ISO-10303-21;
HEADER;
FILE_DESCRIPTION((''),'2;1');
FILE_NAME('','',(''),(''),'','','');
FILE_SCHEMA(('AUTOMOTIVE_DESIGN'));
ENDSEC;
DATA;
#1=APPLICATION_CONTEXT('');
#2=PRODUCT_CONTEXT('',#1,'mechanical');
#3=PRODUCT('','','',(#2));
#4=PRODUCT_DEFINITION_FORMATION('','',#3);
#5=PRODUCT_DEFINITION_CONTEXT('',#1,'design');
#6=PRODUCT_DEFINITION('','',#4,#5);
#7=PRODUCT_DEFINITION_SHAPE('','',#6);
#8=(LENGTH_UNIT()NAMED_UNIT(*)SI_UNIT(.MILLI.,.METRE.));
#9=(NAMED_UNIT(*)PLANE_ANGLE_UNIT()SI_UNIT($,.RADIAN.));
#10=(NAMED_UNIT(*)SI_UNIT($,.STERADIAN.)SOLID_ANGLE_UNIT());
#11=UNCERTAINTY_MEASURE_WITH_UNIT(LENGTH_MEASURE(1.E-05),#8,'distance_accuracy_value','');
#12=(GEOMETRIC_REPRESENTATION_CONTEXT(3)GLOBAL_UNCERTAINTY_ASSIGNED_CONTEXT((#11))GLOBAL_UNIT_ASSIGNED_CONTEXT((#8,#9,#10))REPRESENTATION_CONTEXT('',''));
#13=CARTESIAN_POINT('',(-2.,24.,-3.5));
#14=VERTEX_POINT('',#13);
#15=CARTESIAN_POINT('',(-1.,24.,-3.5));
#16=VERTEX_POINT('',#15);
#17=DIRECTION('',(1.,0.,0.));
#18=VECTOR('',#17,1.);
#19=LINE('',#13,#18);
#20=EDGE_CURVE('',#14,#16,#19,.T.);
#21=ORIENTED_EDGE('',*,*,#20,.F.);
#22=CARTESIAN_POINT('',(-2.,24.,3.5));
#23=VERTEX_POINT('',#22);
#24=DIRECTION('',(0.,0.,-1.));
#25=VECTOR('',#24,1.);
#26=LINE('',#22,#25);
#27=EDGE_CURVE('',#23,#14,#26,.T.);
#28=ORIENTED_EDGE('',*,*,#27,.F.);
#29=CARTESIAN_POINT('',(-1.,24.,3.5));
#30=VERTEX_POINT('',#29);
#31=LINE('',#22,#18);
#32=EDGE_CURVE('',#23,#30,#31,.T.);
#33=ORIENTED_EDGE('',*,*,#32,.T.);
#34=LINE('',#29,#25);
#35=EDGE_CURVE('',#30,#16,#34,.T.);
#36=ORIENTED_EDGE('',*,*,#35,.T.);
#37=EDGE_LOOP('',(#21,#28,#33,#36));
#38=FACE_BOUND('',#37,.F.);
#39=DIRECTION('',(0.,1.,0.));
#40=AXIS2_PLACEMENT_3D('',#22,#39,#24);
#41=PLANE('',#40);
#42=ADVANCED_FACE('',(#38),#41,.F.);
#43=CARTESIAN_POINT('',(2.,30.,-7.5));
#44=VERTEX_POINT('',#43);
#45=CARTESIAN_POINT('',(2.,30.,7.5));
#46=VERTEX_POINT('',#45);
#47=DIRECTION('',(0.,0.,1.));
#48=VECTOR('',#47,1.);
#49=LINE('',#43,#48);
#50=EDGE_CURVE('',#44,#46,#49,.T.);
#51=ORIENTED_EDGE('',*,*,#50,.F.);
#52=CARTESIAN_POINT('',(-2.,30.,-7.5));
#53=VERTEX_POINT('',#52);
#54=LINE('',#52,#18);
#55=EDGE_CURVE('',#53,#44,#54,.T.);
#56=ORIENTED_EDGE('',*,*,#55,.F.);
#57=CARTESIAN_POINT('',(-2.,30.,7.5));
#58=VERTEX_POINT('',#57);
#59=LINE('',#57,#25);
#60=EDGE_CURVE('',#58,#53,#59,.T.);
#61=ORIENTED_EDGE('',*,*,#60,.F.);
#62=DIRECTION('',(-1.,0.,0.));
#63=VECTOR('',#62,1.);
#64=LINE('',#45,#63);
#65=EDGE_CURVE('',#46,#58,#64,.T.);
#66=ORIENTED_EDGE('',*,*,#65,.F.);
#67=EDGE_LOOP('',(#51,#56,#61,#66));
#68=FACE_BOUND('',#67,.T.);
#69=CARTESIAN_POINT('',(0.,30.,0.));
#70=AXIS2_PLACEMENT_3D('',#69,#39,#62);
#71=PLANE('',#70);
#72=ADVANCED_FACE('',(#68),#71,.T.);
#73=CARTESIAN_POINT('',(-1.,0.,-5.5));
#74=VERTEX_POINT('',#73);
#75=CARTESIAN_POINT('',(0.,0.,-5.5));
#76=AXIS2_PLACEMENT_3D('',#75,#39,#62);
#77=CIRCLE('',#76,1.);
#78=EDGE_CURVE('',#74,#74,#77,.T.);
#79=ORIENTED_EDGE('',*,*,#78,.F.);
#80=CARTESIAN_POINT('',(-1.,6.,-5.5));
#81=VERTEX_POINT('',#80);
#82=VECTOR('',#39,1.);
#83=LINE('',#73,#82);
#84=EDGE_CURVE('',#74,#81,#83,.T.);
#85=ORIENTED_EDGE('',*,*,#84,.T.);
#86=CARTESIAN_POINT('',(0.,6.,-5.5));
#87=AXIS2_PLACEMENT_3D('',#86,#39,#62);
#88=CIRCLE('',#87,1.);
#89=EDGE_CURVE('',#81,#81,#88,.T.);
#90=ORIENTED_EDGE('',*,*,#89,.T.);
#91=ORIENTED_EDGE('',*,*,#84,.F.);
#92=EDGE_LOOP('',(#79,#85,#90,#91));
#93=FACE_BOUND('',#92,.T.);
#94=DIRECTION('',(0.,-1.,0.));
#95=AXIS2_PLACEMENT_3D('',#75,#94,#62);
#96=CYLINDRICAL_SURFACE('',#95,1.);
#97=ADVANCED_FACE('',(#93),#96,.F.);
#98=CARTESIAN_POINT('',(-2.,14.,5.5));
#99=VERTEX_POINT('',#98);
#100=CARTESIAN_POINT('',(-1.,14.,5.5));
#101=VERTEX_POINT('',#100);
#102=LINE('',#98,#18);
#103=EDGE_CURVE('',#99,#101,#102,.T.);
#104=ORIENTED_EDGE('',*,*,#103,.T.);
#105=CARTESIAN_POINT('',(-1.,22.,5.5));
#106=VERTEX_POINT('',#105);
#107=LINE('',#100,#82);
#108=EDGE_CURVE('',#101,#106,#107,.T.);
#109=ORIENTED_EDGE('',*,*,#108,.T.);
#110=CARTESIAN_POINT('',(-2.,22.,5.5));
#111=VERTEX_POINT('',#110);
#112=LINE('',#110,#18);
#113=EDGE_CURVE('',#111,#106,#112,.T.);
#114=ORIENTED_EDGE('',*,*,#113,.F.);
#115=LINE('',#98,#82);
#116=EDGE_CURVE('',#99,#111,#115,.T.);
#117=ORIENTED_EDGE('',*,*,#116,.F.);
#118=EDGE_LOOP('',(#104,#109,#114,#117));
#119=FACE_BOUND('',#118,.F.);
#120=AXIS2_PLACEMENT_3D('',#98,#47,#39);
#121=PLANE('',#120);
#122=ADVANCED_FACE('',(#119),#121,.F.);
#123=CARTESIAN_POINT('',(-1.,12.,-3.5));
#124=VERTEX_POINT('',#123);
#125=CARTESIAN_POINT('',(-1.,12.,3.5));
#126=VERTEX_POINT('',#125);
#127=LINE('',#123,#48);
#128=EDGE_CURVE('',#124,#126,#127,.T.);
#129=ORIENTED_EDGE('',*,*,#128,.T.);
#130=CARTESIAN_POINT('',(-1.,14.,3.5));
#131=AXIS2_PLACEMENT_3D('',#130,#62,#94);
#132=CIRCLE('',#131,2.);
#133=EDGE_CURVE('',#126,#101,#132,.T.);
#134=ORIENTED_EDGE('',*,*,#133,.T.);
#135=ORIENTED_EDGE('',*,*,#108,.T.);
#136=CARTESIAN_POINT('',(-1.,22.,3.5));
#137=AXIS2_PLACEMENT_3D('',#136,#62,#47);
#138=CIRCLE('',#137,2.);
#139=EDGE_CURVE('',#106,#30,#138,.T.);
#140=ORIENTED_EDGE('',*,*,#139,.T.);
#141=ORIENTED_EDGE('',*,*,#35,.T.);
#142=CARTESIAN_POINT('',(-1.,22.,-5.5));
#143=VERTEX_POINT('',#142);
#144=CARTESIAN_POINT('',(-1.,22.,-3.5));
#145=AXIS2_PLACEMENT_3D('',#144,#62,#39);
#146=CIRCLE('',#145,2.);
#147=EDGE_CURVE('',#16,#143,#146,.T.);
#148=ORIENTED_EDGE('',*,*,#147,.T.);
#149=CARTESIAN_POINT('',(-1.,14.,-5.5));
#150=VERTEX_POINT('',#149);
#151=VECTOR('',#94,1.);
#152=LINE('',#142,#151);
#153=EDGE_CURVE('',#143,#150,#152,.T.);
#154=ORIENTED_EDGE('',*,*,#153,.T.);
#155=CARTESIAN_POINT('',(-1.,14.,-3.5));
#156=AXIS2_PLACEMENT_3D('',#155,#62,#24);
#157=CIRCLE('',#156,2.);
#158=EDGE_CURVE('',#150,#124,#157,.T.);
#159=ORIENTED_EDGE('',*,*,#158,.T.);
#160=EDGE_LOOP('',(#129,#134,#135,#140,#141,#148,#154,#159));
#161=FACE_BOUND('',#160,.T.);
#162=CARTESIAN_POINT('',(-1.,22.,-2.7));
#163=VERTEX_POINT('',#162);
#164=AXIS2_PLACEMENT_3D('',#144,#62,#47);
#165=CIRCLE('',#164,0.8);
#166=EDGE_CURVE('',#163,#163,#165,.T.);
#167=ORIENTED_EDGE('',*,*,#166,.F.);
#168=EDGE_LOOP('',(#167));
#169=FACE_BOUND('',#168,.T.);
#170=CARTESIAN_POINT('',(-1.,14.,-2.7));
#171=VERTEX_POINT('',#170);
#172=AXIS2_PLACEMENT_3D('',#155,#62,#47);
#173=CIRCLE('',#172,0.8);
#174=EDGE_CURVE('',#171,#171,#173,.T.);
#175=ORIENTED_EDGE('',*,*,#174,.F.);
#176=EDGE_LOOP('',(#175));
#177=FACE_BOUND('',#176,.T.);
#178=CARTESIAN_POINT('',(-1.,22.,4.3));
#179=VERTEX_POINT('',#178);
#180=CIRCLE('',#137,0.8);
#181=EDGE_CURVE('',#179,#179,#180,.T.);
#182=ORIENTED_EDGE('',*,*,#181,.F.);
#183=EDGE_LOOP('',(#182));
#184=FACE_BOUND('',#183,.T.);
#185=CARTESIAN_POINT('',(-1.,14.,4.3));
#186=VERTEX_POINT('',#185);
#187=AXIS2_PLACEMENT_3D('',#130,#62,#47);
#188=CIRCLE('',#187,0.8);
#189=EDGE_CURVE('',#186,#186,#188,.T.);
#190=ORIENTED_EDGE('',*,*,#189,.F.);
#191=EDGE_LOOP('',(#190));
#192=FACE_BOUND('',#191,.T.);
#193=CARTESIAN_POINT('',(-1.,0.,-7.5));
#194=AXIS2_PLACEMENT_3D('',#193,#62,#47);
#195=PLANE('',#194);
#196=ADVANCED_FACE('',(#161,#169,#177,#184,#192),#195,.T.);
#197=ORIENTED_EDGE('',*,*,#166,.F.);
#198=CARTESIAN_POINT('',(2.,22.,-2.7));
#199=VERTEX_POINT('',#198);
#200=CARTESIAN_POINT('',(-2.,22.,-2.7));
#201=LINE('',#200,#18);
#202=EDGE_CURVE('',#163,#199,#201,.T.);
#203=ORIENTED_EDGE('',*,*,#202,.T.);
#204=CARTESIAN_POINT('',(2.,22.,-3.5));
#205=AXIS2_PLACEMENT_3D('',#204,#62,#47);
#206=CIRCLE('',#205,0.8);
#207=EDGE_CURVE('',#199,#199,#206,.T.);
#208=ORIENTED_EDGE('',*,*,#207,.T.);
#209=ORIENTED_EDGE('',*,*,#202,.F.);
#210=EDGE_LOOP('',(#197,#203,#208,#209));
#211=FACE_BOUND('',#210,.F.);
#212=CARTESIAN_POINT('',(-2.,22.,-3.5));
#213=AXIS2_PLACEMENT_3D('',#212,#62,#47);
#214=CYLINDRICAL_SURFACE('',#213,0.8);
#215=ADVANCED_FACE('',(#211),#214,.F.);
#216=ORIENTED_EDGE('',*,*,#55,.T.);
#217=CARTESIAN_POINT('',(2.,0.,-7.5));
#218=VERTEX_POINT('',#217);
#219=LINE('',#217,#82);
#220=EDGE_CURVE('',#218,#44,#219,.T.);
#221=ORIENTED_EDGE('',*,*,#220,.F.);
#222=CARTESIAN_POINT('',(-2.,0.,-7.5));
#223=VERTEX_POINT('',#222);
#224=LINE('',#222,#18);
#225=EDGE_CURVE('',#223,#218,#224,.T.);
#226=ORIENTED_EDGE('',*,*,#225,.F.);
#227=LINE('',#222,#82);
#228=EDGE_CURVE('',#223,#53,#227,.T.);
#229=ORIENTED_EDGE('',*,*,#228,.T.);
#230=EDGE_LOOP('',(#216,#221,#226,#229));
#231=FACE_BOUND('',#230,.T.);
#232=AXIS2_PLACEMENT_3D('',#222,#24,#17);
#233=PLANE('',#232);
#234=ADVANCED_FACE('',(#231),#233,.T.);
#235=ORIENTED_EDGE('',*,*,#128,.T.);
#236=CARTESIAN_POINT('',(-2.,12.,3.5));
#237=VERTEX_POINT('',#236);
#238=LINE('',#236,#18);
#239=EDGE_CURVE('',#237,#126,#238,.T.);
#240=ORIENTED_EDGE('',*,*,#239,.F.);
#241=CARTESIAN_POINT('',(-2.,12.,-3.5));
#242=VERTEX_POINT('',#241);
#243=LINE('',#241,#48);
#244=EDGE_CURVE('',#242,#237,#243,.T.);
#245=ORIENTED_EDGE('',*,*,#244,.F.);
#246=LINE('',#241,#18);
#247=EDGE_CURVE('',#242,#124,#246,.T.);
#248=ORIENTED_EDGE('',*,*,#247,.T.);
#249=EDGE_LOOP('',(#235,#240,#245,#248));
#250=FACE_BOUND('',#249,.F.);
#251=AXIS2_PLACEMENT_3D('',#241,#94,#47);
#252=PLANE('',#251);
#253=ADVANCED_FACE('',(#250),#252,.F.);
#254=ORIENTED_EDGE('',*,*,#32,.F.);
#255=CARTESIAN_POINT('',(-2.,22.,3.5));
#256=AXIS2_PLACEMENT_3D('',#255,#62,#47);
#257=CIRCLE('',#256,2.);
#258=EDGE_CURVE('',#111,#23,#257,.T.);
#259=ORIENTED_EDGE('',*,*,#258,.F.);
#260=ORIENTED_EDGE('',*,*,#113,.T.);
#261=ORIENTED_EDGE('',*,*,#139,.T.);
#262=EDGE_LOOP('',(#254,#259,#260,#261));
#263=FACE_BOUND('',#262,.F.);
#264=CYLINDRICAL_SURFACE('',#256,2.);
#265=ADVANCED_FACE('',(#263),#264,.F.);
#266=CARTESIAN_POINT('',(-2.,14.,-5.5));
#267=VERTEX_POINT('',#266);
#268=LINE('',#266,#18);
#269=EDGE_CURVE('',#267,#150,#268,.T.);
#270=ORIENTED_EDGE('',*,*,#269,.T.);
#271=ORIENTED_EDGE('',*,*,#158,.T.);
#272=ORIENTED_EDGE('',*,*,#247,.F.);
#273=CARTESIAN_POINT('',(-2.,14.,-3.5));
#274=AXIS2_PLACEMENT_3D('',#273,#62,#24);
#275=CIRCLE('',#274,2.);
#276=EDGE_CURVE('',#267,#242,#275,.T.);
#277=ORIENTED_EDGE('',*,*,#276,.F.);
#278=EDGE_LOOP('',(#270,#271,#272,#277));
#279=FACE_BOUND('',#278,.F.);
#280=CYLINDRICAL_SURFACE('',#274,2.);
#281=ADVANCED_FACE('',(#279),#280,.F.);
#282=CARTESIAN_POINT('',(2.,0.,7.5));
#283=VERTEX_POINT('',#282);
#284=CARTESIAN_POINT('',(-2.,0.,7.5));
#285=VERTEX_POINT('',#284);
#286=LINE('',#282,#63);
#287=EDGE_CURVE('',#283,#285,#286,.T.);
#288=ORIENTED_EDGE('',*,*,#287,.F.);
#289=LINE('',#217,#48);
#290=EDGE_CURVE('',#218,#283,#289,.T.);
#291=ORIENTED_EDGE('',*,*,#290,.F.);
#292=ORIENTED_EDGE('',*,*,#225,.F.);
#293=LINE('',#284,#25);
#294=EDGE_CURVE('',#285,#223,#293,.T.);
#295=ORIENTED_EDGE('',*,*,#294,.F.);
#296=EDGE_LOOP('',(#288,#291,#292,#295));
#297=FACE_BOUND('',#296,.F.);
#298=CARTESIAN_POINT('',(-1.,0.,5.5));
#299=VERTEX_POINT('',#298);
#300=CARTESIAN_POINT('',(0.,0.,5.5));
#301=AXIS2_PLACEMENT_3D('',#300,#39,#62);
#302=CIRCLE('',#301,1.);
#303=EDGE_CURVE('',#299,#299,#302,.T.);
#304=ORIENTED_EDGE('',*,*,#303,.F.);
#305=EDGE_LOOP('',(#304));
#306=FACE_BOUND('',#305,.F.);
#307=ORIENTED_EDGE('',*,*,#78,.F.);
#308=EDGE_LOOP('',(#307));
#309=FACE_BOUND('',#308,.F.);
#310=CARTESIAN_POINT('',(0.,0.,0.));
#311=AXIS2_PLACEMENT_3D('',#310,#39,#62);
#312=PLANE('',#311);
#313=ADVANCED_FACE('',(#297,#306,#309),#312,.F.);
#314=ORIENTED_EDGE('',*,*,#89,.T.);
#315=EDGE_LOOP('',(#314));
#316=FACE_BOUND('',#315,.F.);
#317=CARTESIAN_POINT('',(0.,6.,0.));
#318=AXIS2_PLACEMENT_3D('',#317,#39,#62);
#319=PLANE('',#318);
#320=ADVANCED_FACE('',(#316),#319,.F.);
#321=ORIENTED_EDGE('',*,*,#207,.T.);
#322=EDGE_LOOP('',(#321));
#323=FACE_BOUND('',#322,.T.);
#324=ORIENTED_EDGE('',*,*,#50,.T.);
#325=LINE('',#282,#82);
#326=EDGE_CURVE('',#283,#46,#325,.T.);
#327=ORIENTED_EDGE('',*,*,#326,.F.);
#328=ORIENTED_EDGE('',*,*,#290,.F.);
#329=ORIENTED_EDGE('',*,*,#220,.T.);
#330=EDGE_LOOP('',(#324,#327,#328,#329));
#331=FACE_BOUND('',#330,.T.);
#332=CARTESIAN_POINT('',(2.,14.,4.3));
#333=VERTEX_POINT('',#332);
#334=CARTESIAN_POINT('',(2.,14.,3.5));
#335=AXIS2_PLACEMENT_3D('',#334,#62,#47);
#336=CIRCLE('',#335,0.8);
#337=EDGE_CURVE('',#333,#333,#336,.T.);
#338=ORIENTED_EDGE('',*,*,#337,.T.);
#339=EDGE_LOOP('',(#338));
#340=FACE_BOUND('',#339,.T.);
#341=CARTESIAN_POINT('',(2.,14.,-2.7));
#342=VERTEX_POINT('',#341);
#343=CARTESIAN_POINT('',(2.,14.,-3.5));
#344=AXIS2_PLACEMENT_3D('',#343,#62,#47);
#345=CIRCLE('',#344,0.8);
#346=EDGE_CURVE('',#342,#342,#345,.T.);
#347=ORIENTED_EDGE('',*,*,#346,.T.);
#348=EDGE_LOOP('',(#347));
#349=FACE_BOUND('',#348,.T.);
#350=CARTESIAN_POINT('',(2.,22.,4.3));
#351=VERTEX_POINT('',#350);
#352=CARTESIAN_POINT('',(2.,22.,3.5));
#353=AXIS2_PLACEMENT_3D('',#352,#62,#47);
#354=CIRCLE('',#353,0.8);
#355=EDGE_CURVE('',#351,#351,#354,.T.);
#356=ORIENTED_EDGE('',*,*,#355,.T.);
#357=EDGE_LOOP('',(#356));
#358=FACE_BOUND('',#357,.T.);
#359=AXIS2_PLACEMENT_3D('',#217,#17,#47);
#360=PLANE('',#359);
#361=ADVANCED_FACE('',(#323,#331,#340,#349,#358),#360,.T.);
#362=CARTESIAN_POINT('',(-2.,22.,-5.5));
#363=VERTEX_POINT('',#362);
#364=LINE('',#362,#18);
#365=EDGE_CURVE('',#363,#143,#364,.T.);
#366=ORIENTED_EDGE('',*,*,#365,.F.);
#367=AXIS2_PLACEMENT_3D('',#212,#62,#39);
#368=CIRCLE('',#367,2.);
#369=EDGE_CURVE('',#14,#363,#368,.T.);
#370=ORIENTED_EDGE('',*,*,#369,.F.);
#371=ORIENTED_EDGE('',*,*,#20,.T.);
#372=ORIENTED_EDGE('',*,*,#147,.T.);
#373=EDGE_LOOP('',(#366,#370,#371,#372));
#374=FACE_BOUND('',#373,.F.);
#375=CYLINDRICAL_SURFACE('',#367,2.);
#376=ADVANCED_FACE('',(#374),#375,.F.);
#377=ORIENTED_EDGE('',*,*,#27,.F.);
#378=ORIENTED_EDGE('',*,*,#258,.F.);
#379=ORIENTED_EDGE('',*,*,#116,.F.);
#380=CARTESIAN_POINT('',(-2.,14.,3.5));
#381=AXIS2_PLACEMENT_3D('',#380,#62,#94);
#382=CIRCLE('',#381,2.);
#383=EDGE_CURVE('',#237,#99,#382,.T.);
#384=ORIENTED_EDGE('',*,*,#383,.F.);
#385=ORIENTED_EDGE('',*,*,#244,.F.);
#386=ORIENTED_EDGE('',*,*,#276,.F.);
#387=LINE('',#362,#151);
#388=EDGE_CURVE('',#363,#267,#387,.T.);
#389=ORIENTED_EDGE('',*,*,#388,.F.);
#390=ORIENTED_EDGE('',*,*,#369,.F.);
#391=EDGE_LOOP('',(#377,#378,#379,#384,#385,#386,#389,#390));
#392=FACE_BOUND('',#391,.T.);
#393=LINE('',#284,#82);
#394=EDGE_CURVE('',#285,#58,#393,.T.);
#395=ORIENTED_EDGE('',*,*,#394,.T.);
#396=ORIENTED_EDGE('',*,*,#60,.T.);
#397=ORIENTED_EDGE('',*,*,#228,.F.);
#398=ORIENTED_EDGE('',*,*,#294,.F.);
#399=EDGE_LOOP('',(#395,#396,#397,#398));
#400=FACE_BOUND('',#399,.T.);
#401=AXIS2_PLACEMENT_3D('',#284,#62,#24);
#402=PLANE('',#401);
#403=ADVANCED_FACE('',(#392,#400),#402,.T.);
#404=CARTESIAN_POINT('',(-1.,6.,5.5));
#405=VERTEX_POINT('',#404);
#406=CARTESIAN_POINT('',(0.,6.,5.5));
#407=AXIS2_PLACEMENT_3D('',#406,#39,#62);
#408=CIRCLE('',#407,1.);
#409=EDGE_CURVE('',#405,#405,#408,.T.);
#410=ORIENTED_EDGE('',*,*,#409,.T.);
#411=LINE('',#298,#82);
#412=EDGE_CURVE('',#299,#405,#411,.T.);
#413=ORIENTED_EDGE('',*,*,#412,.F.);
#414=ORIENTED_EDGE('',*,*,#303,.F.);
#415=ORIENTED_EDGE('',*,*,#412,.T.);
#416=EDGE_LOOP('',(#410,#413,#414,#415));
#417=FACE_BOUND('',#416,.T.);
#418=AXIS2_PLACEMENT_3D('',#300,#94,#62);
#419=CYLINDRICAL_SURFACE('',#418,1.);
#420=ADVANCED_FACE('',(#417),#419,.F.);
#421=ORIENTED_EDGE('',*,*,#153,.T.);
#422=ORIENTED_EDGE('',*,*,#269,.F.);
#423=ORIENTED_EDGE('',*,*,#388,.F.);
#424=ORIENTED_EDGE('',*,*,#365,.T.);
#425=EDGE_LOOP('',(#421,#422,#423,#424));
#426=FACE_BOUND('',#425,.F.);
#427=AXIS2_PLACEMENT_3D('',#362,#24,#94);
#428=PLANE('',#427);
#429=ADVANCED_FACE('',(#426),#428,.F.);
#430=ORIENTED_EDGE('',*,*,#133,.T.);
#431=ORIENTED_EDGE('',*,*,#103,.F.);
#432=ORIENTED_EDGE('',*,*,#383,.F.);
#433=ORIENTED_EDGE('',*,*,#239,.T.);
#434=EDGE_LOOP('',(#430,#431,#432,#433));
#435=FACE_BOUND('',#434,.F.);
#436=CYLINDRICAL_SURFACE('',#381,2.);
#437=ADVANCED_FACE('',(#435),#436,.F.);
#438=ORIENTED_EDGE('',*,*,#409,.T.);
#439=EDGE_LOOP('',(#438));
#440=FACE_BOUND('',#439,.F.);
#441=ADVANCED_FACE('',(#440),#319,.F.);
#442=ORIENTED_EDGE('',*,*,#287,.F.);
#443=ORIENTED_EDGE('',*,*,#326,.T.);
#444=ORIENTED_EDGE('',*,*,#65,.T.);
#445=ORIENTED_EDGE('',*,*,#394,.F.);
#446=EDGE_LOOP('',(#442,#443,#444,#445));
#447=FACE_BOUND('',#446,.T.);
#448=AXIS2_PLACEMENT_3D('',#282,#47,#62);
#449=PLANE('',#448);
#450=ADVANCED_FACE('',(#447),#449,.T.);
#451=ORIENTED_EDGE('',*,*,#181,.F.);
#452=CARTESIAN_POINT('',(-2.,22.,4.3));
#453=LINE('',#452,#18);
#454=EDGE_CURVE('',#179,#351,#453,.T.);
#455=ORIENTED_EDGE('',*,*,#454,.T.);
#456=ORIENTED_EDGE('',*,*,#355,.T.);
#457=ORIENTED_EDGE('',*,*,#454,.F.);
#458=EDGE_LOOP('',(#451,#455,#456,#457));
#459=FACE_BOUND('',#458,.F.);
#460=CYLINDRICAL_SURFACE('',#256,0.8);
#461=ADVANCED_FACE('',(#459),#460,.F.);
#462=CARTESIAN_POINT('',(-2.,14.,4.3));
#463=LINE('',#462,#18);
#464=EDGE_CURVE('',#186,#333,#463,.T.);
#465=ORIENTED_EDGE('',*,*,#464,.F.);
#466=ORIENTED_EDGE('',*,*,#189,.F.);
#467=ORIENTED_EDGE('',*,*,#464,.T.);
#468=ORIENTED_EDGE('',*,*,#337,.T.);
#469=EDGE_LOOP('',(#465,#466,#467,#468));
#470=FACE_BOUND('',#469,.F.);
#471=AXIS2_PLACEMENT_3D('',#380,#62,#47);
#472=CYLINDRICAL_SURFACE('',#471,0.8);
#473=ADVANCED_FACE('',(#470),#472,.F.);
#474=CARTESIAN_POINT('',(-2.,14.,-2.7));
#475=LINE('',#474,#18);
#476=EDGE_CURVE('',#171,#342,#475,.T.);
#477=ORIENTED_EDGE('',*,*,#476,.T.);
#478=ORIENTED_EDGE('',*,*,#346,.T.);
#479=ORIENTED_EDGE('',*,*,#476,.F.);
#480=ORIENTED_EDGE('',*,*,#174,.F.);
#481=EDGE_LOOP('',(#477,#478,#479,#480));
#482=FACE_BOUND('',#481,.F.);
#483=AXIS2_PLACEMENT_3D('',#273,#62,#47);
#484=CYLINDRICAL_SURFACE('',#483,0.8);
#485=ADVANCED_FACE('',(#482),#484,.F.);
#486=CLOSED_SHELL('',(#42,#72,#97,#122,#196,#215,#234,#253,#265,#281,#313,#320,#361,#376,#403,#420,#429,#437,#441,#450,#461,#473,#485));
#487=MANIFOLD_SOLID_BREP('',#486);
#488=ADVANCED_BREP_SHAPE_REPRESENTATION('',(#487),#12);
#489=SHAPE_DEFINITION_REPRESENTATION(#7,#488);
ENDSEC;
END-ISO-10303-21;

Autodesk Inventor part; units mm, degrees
ref_plane "YZ Plane" through (0, 0, 0) normal (1, 0, 0) x (0, 1, 0)
ref_plane "XZ Plane" through (0, 0, 0) normal (0, 1, 0) x (-1, 0, 0)
ref_plane "XY Plane" through (0, 0, 0) normal (0, 0, 1) x (1, 0, 0)
sketch "スケッチ1" plane through (0, 0, 0) normal (0, 1, 0) x (-1, 0, 0)
  line L0 (-2, 7.5) -> (2, 7.5)
  line L1 (2, 7.5) -> (2, -7.5)
  line L2 (2, -7.5) -> (-2, -7.5)
  line L3 (-2, -7.5) -> (-2, 7.5)
  line L4 (-2, 7.5) -> (2, -7.5) construction
  line L5 (2, 7.5) -> (-2, -7.5) construction
  circle A0 centre (0, 5.5) radius 1
  circle A1 centre (0, -5.5) radius 1
  line L6 (0, 5.5) -> (0, 7.5) construction
  line L7 (0, -5.5) -> (0, -7.5) construction
  point P0 (0, 0)
  dimension "d0" = 4
  dimension "d1" = 15
  dimension "d2" = 2
  dimension "d3" = 2
extrude "押し出し1" add sketch "スケッチ1" along normal blind 30 contours L0 L1 L2 L3 | A0 | A1
extrude "押し出し2" cut sketch "スケッチ1" along normal blind 6 contours A0 | A1
sketch "スケッチ2" plane through (-2, 0, -7.5) normal (-1, 0, 0) x (0, 0, 1)
  line L0 (4, 12) -> (11, 12)
  line L1 (13, 14) -> (13, 22)
  line L2 (11, 24) -> (4, 24)
  line L3 (2, 22) -> (2, 14)
  arc A0 (2, 14) -> (4, 12) centre (4, 14) ccw
  arc A1 (4, 24) -> (2, 22) centre (4, 22) ccw
  arc A2 (13, 22) -> (11, 24) centre (11, 22) ccw
  arc A3 (11, 12) -> (13, 14) centre (11, 14) ccw
  line L4 (7.5, 0) -> (7.5, 30) construction
  line L5 (0, 30) -> (15, 30) projected
  circle A4 centre (4, 14) radius 0.8
  circle A5 centre (4, 22) radius 0.8
  circle A6 centre (11, 22) radius 0.8
  circle A7 centre (11, 14) radius 0.8
  point P0 (2, 12)
  point P1 (13, 24)
  point P2 (2, 24)
  dimension "d8" = 12
  dimension "d9" = 11
  dimension "d10" = 2
  dimension "d11" = 6
  dimension "d12" = 1.6
extrude "押し出し3" cut sketch "スケッチ2" against normal blind 1
extrude "押し出し4" cut sketch "スケッチ2" against normal up to surface (4 mm away) contours A4 | A5 | A6 | A7
properties part number "BallSensor_Mount"
